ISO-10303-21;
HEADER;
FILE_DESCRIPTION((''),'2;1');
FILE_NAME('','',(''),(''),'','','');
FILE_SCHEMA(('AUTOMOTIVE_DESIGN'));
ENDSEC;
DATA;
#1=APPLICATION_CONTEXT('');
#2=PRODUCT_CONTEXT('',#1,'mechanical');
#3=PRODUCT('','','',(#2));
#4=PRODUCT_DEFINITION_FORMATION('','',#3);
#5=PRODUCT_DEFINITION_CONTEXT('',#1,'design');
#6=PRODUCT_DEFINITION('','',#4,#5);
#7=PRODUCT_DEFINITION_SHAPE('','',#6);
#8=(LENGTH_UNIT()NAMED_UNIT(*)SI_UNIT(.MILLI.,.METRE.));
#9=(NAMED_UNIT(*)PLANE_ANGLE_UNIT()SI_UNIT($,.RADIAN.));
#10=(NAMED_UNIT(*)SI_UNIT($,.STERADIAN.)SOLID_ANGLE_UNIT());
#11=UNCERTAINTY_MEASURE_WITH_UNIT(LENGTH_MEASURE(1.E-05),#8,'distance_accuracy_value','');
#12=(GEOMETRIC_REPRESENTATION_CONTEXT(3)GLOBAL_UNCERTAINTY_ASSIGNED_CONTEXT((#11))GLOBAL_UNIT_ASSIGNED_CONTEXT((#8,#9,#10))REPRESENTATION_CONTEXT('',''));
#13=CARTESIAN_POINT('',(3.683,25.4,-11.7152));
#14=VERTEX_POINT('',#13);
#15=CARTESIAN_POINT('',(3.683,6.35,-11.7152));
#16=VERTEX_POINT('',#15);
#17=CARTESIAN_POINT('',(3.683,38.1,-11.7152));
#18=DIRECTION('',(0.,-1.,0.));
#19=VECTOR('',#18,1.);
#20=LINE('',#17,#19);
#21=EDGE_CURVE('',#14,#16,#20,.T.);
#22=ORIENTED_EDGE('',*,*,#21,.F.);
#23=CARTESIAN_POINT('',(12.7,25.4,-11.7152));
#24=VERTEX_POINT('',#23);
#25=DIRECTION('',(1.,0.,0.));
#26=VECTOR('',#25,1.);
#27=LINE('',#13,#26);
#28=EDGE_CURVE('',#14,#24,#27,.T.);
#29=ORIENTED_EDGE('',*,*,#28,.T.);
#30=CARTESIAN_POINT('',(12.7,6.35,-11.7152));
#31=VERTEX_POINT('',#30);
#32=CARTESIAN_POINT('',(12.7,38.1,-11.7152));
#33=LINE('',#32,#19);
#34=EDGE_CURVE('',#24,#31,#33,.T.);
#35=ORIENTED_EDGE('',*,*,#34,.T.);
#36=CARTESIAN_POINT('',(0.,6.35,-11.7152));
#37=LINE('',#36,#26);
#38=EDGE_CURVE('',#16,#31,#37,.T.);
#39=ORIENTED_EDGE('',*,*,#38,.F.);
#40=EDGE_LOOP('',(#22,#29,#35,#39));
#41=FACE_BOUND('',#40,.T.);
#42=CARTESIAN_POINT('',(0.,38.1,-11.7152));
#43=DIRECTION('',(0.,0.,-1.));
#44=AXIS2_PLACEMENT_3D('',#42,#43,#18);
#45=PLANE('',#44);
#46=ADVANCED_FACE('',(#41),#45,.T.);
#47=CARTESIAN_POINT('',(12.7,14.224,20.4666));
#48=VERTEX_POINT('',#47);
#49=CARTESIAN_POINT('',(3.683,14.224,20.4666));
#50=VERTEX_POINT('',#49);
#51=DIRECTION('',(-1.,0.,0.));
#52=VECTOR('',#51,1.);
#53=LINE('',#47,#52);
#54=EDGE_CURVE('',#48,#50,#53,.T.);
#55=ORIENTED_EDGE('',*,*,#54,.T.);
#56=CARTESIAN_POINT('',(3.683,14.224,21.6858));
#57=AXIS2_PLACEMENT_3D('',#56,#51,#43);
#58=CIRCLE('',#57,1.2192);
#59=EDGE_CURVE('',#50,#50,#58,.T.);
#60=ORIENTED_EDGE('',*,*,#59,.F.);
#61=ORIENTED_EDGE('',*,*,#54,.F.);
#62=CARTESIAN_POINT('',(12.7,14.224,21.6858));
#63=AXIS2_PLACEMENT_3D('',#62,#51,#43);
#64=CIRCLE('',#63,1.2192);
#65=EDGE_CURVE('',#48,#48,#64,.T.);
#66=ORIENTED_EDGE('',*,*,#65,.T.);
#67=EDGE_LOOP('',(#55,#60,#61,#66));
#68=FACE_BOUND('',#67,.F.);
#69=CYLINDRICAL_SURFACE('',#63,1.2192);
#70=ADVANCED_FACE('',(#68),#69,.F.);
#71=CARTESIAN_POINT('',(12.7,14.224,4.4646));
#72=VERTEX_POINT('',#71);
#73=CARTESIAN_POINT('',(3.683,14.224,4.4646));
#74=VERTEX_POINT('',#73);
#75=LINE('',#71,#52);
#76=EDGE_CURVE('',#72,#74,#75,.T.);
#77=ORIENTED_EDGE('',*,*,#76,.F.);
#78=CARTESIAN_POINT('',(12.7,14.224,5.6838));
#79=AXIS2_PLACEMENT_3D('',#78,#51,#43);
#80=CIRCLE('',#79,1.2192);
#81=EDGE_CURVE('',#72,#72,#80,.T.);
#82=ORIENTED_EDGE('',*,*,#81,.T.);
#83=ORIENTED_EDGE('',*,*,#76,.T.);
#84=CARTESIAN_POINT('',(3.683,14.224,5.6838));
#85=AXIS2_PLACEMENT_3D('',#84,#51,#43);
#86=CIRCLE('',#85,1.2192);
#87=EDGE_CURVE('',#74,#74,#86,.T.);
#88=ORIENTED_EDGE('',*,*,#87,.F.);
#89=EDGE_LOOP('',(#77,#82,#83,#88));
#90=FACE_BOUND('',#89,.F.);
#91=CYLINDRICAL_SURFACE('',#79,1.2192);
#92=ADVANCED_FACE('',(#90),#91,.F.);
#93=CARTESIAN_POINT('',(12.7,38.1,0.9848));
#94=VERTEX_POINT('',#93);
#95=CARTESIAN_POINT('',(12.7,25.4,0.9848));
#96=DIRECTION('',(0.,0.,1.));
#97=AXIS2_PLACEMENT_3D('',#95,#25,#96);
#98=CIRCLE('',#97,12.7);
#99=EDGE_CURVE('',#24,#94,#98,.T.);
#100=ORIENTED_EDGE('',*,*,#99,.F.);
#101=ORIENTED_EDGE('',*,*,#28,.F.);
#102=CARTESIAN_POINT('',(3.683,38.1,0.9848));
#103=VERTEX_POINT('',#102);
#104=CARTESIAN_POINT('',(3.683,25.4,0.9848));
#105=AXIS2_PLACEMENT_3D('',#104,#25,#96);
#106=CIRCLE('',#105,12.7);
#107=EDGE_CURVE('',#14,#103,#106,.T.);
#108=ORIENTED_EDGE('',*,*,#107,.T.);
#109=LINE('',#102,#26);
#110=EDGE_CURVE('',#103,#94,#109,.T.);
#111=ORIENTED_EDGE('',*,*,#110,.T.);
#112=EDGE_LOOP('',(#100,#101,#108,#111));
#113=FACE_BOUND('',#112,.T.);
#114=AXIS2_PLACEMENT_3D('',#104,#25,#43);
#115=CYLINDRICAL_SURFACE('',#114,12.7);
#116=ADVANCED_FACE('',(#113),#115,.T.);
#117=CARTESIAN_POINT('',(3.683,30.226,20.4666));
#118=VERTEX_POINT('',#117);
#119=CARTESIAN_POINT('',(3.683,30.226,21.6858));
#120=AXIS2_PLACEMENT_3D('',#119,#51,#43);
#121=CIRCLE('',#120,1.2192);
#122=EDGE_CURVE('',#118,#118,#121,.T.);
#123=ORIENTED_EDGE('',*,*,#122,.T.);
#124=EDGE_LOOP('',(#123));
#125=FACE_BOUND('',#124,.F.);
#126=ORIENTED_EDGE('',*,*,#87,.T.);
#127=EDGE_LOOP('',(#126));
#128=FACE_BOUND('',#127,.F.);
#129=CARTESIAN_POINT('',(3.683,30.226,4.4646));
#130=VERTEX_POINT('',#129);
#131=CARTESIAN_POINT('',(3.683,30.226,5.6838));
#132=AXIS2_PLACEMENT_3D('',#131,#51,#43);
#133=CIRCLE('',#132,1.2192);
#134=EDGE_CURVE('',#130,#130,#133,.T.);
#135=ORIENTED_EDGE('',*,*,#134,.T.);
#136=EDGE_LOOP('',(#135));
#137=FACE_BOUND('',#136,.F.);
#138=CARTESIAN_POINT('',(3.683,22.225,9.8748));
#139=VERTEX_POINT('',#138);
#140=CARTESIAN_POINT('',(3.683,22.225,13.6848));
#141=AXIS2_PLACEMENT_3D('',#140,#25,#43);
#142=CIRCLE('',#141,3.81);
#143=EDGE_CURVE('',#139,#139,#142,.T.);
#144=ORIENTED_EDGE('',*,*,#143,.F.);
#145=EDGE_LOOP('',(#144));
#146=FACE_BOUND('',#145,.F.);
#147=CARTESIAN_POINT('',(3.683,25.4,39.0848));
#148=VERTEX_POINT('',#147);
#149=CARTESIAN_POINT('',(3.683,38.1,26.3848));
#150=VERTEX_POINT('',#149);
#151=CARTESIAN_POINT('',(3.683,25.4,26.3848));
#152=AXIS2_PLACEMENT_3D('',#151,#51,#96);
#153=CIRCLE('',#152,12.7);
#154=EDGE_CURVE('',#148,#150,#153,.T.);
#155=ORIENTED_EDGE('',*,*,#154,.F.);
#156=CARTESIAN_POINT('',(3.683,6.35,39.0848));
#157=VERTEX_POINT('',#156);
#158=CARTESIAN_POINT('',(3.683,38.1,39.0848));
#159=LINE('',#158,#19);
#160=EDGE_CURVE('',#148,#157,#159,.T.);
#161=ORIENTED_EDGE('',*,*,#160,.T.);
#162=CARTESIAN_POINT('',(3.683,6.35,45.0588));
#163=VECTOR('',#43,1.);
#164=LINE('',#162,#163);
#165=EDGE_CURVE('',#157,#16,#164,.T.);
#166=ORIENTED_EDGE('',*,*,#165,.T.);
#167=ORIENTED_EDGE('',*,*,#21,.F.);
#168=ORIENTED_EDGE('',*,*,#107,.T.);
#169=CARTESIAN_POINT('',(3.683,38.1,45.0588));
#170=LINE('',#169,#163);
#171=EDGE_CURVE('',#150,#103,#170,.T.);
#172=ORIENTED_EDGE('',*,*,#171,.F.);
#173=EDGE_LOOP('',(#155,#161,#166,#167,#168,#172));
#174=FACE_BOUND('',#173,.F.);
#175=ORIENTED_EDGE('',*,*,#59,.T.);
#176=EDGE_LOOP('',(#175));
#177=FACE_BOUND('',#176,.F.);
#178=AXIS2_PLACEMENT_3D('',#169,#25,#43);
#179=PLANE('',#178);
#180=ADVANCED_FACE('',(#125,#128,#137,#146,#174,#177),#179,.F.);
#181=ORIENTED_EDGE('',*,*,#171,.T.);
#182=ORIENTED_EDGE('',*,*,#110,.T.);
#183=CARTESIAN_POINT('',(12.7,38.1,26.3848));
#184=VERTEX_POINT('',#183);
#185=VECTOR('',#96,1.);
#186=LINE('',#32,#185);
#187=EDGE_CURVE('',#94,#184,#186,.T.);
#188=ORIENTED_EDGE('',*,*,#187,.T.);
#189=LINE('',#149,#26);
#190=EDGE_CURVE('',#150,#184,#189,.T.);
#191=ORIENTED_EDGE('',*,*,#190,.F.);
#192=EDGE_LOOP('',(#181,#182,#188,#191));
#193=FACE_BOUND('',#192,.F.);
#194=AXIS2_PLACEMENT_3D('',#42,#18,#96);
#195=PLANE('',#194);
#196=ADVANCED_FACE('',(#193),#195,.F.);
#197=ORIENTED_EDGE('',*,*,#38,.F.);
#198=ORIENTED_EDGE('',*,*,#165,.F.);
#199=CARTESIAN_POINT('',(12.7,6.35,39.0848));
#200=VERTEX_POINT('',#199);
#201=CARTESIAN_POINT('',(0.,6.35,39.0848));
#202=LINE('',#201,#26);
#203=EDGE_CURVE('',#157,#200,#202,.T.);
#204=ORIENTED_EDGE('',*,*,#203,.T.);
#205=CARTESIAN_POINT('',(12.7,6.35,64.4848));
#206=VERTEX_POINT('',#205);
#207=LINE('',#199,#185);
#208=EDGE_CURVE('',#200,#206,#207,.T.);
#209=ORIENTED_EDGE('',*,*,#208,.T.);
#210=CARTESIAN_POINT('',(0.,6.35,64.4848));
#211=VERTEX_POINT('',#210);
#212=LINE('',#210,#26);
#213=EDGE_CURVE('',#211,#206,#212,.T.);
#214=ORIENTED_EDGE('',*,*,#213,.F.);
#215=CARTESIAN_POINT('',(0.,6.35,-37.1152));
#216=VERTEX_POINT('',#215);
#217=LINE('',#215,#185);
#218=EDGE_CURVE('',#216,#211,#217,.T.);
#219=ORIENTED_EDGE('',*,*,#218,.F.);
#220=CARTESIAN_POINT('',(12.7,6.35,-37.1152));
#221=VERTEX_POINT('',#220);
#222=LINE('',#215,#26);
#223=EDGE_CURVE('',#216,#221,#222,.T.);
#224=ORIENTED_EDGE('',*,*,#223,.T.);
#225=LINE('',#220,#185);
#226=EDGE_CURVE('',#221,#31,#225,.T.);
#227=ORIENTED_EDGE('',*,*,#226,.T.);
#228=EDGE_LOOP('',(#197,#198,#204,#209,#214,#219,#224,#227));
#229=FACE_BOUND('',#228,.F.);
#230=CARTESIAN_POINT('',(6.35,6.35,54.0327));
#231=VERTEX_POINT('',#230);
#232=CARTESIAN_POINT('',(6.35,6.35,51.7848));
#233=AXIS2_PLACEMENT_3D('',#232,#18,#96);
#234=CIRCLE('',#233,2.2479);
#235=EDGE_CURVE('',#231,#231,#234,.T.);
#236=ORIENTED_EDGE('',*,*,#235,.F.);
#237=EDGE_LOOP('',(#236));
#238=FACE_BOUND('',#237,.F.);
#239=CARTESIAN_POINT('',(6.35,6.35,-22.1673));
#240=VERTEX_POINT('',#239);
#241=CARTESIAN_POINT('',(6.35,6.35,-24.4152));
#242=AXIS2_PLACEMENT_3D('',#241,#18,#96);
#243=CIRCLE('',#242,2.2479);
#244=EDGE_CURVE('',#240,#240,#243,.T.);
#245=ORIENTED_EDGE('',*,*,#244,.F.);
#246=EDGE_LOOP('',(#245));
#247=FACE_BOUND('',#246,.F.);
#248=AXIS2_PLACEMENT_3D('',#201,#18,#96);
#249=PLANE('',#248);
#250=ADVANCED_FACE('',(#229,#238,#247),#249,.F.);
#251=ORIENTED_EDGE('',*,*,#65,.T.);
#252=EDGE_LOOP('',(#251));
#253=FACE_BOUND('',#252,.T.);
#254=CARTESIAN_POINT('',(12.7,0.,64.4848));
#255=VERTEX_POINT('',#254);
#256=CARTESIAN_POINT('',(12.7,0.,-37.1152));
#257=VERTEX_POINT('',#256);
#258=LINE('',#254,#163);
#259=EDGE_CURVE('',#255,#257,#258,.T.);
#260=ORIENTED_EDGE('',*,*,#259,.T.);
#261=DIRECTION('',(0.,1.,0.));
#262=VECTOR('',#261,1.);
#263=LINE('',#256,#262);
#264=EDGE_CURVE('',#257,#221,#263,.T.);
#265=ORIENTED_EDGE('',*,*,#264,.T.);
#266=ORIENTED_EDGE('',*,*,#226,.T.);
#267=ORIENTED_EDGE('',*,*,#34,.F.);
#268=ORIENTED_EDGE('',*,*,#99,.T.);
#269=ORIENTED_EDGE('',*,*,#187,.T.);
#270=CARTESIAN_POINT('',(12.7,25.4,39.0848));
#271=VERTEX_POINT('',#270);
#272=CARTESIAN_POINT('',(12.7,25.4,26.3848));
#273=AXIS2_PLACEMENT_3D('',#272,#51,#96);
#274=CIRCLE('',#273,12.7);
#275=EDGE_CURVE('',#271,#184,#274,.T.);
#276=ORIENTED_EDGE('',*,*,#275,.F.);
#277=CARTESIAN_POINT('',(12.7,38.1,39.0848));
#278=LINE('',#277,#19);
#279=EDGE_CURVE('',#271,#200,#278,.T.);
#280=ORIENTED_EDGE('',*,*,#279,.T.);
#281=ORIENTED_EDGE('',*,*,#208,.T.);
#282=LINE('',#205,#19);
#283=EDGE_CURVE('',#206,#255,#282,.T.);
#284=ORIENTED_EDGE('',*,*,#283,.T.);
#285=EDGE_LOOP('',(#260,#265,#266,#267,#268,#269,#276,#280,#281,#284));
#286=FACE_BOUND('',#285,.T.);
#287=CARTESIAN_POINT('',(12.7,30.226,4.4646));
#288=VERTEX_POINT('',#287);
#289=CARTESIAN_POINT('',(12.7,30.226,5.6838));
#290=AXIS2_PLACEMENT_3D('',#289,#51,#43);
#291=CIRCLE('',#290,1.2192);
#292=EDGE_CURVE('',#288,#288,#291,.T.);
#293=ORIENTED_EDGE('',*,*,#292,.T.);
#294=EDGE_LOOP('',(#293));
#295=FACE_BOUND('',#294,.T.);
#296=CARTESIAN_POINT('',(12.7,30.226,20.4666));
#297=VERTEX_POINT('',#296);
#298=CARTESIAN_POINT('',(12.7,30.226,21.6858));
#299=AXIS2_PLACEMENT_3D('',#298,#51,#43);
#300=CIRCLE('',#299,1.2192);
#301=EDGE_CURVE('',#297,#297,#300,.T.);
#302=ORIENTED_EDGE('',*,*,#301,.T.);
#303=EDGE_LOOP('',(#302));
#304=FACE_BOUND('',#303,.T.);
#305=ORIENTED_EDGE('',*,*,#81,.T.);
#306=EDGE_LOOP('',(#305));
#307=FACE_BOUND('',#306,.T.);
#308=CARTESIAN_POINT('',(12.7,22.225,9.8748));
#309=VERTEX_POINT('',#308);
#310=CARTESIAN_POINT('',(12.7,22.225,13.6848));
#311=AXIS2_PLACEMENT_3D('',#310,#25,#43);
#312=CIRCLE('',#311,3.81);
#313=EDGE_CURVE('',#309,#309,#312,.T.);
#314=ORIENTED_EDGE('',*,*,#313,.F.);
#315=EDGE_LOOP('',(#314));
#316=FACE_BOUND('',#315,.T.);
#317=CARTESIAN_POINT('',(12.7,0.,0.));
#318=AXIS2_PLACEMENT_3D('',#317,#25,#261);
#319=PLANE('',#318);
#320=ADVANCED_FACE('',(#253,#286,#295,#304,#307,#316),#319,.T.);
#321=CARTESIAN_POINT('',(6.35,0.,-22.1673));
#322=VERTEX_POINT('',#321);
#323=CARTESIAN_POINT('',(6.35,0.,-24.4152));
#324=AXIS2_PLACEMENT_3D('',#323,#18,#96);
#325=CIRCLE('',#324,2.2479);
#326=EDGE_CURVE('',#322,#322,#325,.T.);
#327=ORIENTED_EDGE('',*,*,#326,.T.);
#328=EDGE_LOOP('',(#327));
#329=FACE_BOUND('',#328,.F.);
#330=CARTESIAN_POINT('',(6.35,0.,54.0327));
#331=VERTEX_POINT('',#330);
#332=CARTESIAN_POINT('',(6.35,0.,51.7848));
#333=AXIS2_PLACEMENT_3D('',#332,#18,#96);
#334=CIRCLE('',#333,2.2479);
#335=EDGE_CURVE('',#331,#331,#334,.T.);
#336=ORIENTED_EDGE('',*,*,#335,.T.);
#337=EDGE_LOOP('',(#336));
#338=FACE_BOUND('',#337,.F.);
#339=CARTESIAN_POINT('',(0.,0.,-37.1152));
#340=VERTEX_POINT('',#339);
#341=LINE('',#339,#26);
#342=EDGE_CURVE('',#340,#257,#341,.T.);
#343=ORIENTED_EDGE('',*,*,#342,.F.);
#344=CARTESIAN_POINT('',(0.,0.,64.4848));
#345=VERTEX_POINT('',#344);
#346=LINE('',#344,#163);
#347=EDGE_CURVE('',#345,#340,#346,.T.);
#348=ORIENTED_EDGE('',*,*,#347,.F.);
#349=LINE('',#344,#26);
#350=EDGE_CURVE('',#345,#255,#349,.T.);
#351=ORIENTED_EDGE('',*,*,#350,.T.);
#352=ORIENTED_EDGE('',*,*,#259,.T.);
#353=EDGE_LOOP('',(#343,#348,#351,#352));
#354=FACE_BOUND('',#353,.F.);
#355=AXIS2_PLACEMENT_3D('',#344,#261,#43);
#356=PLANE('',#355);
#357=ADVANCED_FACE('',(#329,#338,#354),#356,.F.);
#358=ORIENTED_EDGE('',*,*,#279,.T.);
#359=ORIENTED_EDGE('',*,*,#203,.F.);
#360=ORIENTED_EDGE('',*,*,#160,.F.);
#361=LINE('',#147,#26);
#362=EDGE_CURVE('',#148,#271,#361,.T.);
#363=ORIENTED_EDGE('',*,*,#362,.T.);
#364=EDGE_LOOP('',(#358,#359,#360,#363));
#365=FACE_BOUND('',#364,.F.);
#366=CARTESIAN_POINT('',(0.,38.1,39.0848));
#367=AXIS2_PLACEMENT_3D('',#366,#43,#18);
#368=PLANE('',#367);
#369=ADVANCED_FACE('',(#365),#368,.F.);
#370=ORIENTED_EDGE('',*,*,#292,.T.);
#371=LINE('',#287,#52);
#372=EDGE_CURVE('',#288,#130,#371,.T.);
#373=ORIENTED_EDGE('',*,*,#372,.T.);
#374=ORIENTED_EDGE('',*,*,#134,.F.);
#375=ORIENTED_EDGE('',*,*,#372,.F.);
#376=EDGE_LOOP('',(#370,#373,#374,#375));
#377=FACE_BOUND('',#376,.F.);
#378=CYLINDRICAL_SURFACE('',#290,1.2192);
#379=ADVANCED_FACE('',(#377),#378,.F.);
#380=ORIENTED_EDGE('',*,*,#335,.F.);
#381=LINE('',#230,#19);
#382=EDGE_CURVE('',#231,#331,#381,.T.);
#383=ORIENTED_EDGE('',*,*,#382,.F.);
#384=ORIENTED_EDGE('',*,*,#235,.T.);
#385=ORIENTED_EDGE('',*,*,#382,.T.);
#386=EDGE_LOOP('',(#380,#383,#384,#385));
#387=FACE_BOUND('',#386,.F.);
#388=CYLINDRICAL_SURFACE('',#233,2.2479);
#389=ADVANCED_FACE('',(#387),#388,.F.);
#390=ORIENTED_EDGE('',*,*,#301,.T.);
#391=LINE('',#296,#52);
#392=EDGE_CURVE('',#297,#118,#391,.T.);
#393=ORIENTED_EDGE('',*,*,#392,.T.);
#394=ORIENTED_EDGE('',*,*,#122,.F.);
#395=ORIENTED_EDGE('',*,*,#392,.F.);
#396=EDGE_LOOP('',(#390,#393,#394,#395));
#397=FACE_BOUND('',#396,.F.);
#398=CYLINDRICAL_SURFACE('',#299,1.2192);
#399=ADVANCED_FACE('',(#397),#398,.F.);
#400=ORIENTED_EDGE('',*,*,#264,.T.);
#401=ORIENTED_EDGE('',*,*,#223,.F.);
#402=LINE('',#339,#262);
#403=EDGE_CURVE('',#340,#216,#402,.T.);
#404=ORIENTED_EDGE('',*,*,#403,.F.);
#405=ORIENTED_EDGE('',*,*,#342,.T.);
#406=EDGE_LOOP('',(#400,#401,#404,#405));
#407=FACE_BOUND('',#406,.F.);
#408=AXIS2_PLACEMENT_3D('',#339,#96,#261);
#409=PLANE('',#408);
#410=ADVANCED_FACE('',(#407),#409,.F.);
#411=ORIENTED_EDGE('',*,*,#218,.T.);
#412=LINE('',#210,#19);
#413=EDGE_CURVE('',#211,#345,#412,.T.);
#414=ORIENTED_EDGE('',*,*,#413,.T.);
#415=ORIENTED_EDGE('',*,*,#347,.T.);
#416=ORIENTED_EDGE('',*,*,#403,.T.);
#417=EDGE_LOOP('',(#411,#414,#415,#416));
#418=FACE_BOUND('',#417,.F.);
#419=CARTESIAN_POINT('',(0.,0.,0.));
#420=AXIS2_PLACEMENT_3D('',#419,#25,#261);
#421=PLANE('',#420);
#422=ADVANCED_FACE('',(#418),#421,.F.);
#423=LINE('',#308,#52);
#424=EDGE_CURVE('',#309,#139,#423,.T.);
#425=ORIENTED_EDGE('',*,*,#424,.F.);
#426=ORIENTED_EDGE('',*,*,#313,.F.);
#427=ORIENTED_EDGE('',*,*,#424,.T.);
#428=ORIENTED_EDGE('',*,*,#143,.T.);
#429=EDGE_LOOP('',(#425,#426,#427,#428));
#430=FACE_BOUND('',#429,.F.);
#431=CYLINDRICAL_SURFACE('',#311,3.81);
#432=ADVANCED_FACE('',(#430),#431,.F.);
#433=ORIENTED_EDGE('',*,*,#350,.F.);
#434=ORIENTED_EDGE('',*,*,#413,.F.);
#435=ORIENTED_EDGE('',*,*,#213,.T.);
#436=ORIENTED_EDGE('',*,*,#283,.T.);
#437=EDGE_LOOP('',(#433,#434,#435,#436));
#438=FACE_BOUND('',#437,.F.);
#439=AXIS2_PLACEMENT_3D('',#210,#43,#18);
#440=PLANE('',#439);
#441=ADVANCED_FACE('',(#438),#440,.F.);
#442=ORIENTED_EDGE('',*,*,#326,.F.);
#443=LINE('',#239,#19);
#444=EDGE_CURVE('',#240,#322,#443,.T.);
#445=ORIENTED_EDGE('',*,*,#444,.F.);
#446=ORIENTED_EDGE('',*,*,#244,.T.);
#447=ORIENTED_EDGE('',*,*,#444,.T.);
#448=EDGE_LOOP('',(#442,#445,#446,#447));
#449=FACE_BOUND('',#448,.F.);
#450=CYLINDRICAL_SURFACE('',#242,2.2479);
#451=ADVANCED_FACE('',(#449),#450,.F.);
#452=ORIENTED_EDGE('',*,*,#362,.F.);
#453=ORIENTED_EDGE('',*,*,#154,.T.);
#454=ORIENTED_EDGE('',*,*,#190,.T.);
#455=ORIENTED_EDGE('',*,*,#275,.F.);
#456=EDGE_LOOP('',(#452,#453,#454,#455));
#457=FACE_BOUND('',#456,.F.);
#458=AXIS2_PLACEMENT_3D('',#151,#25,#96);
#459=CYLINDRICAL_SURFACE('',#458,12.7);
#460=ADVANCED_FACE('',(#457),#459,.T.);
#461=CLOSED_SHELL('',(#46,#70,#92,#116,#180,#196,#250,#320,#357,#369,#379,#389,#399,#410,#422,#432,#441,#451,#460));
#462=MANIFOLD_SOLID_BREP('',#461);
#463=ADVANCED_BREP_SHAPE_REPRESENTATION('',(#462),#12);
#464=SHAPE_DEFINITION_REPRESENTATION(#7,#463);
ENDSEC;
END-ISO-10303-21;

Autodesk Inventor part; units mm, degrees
ref_plane "YZ Plane" through (0, 0, 0) normal (1, 0, 0) x (0, 1, 0)
ref_plane "XZ Plane" through (0, 0, 0) normal (0, 1, 0) x (-1, 0, 0)
ref_plane "XY Plane" through (0, 0, 0) normal (0, 0, 1) x (1, 0, 0)
sketch "Sketch1" plane through (0, 0, 0) normal (1, 0, 0) x (0, 1, 0)
  line L0 (6.35, 64.4848) -> (0, 64.4848)
  line L1 (0, 64.4848) -> (0, -37.1152)
  line L2 (0, -37.1152) -> (6.35, -37.1152)
  line L3 (38.1, -11.7152) -> (38.1, 39.0848)
  line L4 (38.1, 39.0848) -> (6.35, 39.0848)
  line L5 (38.1, -11.7152) -> (6.35, -11.7152)
  line L6 (6.35, -37.1152) -> (6.35, -11.7152)
  line L7 (6.35, 39.0848) -> (6.35, 64.4848)
  point P0 (0, 0)
  dimension "d1" = 101.6
  dimension "d3" = 25.4
  dimension "d4" = 25.4
extrude "Extrusion1" add sketch "Sketch1" along normal blind 12.7
sketch "Sketch2" plane through (0, 6.35, 64.4848) normal (0, 1, 0) x (1, 0, 0)
  line L0 (0, 0) -> (12.7, 0) projected
  line L1 (12.7, 25.4) -> (12.7, 0) projected
  line L2 (0, 101.6) -> (12.7, 101.6) projected
  line L3 (0, 101.6) -> (0, 76.2) projected
  point P0 (0, 64.4848)
  point P1 (6.35, 12.7)
  point P2 (6.35, 88.9)
  dimension "d7" = 12.7
  dimension "d8" = 6.35
  dimension "d9" = 12.7
  dimension "d10" = 6.35
hole "Hole1" at (6.35, 6.35, 51.7848) at (6.35, 6.35, -24.4152) direction (0, -1, 0) diameter 4.4958 end through all clearance for "Flat Head Machine Screw (82)" size "#8" standard "Ansi Unified Screw Threads"
sketch "Sketch3" plane through (0, 38.1, 39.0848) normal (0, 1, 0) x (1, 0, 0)
  line L0 (-8.738, -5.974) -> (3.683, -5.974)
  line L1 (3.683, -5.974) -> (3.683, 55.8495)
  line L2 (3.683, 55.8495) -> (-8.738, 55.8495)
  line L3 (-8.738, 55.8495) -> (-8.738, -5.974)
  line L4 (0, 50.8) -> (0, 0) projected
  point P0 (0, 39.0848)
  dimension "d18" = 3.683
extrude "Extrusion2" cut sketch "Sketch3" against normal blind 31.75
sketch "Sketch4" plane through (12.7, 0, 0) normal (1, 0, 0) x (0, 0, -1)
  circle A0 centre (-13.6848, 22.225) radius 3.81
  line L0 (11.7152, 38.1) -> (-39.0848, 38.1) projected
  line L1 (11.7152, 6.35) -> (11.7152, 38.1) projected
  point P0 (0, 0)
  dimension "d21" = 15.875
  dimension "d22" = 25.4
  dimension "d25" = 7.62
extrude "Extrusion3" cut sketch "Sketch4" against normal blind 25.4
sketch "Sketch5" plane through (12.7, 0, 0) normal (1, 0, 0) x (0, 0, -1)
  circle A0 centre (-13.6848, 22.225) radius 3.81 projected
  point P0 (0, 0)
  point P1 (-21.6858, 30.226)
  point P2 (-5.6838, 30.226)
  point P3 (-5.6838, 14.224)
  point P4 (-21.6858, 14.224)
  dimension "d26" = 8.001
  dimension "d27" = 8.001
  dimension "d28" = 0
  dimension "d29" = 0
  dimension "d30" = 8.001
  dimension "d31" = 8.001
  dimension "d32" = 0
  dimension "d33" = 0
hole "Hole2" at (12.7, 30.226, 21.6858) at (12.7, 30.226, 5.6838) at (12.7, 14.224, 5.6838) at (12.7, 14.224, 21.6858) direction (-1, 0, 0) diameter 2.4384 end through all clearance for "Flat Head Machine Screw (82)" size "#2" standard "Ansi Unified Screw Threads"
fillet "Fillet1" radius 12.7 2 edges at (8.1915, 38.1, 39.0848) (8.1915, 38.1, -11.7152)
properties part number "SliderMotorMount"
